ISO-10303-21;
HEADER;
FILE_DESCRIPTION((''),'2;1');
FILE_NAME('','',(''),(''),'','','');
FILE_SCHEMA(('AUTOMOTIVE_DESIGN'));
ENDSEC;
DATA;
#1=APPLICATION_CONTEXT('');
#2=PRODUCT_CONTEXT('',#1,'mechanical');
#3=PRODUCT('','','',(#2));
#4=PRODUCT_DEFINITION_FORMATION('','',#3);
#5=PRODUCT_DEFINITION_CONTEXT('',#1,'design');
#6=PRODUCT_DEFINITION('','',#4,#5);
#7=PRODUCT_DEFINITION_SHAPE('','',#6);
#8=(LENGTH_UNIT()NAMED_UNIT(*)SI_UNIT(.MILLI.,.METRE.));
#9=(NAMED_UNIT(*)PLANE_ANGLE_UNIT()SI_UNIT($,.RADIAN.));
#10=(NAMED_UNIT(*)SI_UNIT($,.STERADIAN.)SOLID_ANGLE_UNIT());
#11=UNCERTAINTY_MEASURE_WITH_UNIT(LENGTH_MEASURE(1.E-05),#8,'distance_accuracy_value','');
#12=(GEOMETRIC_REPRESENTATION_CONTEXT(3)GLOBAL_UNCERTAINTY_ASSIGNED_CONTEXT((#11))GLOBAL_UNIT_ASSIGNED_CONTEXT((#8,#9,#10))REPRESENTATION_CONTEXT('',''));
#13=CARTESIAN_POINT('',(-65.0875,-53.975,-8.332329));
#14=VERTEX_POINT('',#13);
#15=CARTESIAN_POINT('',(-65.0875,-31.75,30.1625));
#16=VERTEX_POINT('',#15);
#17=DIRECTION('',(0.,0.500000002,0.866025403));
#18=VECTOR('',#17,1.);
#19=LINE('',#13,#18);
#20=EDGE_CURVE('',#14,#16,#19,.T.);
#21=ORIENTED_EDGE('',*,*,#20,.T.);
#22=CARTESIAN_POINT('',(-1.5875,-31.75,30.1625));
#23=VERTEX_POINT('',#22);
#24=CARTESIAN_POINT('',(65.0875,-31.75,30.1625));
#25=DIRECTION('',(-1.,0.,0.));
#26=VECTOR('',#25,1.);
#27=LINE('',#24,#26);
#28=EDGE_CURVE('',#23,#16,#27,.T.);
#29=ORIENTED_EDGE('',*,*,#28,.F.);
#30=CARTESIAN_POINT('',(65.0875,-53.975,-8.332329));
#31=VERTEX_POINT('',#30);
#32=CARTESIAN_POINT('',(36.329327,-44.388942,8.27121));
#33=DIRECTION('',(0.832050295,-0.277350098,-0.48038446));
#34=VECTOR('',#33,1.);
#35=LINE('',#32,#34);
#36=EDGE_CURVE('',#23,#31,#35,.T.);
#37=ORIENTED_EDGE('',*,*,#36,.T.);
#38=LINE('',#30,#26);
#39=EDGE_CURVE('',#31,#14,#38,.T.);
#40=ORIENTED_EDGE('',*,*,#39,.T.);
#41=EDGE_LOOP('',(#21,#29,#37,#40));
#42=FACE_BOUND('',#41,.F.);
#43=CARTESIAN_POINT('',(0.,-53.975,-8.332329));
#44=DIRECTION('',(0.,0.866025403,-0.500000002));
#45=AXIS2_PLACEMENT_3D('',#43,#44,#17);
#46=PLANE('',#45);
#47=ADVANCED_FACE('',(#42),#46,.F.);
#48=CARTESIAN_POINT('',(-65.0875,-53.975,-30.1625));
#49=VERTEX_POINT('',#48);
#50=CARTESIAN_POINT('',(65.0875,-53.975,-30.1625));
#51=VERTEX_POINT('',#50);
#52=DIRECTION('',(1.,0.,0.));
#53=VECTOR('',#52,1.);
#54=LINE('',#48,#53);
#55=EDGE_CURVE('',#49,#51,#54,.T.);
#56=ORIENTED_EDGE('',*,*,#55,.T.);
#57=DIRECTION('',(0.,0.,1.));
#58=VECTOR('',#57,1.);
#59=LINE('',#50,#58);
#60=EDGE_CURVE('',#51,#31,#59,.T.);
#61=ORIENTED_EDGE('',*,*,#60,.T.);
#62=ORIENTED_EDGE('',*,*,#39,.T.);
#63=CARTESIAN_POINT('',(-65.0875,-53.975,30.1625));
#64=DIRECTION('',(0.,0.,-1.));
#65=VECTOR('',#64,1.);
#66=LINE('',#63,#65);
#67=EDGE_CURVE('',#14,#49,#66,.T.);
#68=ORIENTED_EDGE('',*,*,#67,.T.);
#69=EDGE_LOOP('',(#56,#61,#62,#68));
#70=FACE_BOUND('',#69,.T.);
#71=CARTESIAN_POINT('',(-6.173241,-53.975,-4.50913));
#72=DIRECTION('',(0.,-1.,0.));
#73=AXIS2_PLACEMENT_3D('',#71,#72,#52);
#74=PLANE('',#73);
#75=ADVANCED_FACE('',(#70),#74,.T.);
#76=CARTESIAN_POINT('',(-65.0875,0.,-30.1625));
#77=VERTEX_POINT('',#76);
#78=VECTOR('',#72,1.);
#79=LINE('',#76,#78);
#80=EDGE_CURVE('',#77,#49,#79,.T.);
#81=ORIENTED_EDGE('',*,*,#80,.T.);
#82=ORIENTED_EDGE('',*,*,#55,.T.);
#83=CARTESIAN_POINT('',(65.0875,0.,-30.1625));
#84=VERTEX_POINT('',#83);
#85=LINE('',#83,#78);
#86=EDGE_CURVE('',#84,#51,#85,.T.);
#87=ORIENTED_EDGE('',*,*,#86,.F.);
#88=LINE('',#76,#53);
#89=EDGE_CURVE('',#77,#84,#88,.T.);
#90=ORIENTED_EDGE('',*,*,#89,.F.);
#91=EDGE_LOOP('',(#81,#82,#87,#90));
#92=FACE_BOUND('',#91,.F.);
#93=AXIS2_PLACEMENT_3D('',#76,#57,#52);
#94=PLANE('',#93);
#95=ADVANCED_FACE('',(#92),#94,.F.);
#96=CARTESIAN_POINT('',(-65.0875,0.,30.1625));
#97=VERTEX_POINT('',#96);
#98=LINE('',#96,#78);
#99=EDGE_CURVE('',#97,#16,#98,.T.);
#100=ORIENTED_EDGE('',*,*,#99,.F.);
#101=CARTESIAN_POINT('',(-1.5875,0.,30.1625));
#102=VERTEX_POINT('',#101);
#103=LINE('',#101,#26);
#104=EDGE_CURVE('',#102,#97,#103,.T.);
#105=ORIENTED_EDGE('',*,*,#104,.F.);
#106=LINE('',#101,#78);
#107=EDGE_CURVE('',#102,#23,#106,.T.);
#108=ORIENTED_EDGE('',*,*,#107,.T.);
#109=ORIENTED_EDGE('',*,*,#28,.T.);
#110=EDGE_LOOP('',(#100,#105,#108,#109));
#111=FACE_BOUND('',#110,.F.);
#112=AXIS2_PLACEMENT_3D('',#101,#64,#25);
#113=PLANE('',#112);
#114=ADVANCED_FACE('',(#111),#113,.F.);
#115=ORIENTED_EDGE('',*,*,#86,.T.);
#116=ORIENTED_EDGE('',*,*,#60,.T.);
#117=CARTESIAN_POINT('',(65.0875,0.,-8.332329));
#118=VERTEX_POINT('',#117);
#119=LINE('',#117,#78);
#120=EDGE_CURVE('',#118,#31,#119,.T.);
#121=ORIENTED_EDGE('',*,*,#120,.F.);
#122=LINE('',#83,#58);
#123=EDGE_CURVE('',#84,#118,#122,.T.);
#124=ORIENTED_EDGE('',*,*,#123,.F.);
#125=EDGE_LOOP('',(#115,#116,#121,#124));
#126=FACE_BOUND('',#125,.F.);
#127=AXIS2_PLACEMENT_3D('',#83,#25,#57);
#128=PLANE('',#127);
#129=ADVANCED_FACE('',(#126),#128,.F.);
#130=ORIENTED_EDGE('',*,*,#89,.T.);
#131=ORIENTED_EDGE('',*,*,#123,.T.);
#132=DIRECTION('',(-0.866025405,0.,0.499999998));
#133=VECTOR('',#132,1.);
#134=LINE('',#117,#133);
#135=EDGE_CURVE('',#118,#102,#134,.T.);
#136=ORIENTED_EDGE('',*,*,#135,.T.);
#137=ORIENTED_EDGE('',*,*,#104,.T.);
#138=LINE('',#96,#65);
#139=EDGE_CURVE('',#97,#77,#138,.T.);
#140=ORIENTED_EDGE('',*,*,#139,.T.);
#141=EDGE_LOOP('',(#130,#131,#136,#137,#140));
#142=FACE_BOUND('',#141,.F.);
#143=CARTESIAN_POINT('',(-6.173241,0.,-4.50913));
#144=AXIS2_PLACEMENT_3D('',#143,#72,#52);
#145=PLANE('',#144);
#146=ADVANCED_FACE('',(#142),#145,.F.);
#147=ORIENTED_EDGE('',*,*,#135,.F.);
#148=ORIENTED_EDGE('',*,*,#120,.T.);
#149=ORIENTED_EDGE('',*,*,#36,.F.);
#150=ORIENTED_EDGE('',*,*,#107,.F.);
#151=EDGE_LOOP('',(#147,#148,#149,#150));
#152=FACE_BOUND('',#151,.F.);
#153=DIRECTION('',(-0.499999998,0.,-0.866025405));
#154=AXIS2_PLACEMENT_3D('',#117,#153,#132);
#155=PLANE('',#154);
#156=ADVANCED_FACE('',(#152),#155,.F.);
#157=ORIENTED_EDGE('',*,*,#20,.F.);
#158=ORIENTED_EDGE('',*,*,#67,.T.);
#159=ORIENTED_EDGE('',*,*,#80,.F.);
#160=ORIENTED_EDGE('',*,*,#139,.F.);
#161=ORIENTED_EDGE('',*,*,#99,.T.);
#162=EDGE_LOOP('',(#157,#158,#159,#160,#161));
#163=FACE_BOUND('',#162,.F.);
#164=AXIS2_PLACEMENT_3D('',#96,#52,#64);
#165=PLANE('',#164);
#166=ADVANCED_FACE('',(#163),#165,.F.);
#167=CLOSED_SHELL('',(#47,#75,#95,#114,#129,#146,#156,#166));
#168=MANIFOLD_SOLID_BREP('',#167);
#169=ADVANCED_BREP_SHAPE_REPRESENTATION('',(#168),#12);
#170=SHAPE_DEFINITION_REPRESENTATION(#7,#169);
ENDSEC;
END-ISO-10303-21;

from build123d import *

# Parameters (mm, degrees)
F1_DEPTH = 53.975
F3_DEPTH = 65.0875


with BuildPart() as f1:
    # F0 (on Front) → F1 (new body)
    with BuildSketch(Plane.XZ):
        Polygon((-65.0875, 30.1625), (-65.0875, -30.1625), (65.0875, -30.1625), (65.0875, -8.332329), (-1.5875, 30.1625), align=None)
    extrude(amount=F1_DEPTH)

    # F2 (on Right) → F3 (cut, symmetric)
    with BuildSketch(Plane.YZ):
        Polygon((-31.75, 30.1625), (-53.975, 30.1625), (-53.975, -8.332329), align=None)
    extrude(amount=F3_DEPTH, both=True, mode=Mode.SUBTRACT)


solid = f1.part
